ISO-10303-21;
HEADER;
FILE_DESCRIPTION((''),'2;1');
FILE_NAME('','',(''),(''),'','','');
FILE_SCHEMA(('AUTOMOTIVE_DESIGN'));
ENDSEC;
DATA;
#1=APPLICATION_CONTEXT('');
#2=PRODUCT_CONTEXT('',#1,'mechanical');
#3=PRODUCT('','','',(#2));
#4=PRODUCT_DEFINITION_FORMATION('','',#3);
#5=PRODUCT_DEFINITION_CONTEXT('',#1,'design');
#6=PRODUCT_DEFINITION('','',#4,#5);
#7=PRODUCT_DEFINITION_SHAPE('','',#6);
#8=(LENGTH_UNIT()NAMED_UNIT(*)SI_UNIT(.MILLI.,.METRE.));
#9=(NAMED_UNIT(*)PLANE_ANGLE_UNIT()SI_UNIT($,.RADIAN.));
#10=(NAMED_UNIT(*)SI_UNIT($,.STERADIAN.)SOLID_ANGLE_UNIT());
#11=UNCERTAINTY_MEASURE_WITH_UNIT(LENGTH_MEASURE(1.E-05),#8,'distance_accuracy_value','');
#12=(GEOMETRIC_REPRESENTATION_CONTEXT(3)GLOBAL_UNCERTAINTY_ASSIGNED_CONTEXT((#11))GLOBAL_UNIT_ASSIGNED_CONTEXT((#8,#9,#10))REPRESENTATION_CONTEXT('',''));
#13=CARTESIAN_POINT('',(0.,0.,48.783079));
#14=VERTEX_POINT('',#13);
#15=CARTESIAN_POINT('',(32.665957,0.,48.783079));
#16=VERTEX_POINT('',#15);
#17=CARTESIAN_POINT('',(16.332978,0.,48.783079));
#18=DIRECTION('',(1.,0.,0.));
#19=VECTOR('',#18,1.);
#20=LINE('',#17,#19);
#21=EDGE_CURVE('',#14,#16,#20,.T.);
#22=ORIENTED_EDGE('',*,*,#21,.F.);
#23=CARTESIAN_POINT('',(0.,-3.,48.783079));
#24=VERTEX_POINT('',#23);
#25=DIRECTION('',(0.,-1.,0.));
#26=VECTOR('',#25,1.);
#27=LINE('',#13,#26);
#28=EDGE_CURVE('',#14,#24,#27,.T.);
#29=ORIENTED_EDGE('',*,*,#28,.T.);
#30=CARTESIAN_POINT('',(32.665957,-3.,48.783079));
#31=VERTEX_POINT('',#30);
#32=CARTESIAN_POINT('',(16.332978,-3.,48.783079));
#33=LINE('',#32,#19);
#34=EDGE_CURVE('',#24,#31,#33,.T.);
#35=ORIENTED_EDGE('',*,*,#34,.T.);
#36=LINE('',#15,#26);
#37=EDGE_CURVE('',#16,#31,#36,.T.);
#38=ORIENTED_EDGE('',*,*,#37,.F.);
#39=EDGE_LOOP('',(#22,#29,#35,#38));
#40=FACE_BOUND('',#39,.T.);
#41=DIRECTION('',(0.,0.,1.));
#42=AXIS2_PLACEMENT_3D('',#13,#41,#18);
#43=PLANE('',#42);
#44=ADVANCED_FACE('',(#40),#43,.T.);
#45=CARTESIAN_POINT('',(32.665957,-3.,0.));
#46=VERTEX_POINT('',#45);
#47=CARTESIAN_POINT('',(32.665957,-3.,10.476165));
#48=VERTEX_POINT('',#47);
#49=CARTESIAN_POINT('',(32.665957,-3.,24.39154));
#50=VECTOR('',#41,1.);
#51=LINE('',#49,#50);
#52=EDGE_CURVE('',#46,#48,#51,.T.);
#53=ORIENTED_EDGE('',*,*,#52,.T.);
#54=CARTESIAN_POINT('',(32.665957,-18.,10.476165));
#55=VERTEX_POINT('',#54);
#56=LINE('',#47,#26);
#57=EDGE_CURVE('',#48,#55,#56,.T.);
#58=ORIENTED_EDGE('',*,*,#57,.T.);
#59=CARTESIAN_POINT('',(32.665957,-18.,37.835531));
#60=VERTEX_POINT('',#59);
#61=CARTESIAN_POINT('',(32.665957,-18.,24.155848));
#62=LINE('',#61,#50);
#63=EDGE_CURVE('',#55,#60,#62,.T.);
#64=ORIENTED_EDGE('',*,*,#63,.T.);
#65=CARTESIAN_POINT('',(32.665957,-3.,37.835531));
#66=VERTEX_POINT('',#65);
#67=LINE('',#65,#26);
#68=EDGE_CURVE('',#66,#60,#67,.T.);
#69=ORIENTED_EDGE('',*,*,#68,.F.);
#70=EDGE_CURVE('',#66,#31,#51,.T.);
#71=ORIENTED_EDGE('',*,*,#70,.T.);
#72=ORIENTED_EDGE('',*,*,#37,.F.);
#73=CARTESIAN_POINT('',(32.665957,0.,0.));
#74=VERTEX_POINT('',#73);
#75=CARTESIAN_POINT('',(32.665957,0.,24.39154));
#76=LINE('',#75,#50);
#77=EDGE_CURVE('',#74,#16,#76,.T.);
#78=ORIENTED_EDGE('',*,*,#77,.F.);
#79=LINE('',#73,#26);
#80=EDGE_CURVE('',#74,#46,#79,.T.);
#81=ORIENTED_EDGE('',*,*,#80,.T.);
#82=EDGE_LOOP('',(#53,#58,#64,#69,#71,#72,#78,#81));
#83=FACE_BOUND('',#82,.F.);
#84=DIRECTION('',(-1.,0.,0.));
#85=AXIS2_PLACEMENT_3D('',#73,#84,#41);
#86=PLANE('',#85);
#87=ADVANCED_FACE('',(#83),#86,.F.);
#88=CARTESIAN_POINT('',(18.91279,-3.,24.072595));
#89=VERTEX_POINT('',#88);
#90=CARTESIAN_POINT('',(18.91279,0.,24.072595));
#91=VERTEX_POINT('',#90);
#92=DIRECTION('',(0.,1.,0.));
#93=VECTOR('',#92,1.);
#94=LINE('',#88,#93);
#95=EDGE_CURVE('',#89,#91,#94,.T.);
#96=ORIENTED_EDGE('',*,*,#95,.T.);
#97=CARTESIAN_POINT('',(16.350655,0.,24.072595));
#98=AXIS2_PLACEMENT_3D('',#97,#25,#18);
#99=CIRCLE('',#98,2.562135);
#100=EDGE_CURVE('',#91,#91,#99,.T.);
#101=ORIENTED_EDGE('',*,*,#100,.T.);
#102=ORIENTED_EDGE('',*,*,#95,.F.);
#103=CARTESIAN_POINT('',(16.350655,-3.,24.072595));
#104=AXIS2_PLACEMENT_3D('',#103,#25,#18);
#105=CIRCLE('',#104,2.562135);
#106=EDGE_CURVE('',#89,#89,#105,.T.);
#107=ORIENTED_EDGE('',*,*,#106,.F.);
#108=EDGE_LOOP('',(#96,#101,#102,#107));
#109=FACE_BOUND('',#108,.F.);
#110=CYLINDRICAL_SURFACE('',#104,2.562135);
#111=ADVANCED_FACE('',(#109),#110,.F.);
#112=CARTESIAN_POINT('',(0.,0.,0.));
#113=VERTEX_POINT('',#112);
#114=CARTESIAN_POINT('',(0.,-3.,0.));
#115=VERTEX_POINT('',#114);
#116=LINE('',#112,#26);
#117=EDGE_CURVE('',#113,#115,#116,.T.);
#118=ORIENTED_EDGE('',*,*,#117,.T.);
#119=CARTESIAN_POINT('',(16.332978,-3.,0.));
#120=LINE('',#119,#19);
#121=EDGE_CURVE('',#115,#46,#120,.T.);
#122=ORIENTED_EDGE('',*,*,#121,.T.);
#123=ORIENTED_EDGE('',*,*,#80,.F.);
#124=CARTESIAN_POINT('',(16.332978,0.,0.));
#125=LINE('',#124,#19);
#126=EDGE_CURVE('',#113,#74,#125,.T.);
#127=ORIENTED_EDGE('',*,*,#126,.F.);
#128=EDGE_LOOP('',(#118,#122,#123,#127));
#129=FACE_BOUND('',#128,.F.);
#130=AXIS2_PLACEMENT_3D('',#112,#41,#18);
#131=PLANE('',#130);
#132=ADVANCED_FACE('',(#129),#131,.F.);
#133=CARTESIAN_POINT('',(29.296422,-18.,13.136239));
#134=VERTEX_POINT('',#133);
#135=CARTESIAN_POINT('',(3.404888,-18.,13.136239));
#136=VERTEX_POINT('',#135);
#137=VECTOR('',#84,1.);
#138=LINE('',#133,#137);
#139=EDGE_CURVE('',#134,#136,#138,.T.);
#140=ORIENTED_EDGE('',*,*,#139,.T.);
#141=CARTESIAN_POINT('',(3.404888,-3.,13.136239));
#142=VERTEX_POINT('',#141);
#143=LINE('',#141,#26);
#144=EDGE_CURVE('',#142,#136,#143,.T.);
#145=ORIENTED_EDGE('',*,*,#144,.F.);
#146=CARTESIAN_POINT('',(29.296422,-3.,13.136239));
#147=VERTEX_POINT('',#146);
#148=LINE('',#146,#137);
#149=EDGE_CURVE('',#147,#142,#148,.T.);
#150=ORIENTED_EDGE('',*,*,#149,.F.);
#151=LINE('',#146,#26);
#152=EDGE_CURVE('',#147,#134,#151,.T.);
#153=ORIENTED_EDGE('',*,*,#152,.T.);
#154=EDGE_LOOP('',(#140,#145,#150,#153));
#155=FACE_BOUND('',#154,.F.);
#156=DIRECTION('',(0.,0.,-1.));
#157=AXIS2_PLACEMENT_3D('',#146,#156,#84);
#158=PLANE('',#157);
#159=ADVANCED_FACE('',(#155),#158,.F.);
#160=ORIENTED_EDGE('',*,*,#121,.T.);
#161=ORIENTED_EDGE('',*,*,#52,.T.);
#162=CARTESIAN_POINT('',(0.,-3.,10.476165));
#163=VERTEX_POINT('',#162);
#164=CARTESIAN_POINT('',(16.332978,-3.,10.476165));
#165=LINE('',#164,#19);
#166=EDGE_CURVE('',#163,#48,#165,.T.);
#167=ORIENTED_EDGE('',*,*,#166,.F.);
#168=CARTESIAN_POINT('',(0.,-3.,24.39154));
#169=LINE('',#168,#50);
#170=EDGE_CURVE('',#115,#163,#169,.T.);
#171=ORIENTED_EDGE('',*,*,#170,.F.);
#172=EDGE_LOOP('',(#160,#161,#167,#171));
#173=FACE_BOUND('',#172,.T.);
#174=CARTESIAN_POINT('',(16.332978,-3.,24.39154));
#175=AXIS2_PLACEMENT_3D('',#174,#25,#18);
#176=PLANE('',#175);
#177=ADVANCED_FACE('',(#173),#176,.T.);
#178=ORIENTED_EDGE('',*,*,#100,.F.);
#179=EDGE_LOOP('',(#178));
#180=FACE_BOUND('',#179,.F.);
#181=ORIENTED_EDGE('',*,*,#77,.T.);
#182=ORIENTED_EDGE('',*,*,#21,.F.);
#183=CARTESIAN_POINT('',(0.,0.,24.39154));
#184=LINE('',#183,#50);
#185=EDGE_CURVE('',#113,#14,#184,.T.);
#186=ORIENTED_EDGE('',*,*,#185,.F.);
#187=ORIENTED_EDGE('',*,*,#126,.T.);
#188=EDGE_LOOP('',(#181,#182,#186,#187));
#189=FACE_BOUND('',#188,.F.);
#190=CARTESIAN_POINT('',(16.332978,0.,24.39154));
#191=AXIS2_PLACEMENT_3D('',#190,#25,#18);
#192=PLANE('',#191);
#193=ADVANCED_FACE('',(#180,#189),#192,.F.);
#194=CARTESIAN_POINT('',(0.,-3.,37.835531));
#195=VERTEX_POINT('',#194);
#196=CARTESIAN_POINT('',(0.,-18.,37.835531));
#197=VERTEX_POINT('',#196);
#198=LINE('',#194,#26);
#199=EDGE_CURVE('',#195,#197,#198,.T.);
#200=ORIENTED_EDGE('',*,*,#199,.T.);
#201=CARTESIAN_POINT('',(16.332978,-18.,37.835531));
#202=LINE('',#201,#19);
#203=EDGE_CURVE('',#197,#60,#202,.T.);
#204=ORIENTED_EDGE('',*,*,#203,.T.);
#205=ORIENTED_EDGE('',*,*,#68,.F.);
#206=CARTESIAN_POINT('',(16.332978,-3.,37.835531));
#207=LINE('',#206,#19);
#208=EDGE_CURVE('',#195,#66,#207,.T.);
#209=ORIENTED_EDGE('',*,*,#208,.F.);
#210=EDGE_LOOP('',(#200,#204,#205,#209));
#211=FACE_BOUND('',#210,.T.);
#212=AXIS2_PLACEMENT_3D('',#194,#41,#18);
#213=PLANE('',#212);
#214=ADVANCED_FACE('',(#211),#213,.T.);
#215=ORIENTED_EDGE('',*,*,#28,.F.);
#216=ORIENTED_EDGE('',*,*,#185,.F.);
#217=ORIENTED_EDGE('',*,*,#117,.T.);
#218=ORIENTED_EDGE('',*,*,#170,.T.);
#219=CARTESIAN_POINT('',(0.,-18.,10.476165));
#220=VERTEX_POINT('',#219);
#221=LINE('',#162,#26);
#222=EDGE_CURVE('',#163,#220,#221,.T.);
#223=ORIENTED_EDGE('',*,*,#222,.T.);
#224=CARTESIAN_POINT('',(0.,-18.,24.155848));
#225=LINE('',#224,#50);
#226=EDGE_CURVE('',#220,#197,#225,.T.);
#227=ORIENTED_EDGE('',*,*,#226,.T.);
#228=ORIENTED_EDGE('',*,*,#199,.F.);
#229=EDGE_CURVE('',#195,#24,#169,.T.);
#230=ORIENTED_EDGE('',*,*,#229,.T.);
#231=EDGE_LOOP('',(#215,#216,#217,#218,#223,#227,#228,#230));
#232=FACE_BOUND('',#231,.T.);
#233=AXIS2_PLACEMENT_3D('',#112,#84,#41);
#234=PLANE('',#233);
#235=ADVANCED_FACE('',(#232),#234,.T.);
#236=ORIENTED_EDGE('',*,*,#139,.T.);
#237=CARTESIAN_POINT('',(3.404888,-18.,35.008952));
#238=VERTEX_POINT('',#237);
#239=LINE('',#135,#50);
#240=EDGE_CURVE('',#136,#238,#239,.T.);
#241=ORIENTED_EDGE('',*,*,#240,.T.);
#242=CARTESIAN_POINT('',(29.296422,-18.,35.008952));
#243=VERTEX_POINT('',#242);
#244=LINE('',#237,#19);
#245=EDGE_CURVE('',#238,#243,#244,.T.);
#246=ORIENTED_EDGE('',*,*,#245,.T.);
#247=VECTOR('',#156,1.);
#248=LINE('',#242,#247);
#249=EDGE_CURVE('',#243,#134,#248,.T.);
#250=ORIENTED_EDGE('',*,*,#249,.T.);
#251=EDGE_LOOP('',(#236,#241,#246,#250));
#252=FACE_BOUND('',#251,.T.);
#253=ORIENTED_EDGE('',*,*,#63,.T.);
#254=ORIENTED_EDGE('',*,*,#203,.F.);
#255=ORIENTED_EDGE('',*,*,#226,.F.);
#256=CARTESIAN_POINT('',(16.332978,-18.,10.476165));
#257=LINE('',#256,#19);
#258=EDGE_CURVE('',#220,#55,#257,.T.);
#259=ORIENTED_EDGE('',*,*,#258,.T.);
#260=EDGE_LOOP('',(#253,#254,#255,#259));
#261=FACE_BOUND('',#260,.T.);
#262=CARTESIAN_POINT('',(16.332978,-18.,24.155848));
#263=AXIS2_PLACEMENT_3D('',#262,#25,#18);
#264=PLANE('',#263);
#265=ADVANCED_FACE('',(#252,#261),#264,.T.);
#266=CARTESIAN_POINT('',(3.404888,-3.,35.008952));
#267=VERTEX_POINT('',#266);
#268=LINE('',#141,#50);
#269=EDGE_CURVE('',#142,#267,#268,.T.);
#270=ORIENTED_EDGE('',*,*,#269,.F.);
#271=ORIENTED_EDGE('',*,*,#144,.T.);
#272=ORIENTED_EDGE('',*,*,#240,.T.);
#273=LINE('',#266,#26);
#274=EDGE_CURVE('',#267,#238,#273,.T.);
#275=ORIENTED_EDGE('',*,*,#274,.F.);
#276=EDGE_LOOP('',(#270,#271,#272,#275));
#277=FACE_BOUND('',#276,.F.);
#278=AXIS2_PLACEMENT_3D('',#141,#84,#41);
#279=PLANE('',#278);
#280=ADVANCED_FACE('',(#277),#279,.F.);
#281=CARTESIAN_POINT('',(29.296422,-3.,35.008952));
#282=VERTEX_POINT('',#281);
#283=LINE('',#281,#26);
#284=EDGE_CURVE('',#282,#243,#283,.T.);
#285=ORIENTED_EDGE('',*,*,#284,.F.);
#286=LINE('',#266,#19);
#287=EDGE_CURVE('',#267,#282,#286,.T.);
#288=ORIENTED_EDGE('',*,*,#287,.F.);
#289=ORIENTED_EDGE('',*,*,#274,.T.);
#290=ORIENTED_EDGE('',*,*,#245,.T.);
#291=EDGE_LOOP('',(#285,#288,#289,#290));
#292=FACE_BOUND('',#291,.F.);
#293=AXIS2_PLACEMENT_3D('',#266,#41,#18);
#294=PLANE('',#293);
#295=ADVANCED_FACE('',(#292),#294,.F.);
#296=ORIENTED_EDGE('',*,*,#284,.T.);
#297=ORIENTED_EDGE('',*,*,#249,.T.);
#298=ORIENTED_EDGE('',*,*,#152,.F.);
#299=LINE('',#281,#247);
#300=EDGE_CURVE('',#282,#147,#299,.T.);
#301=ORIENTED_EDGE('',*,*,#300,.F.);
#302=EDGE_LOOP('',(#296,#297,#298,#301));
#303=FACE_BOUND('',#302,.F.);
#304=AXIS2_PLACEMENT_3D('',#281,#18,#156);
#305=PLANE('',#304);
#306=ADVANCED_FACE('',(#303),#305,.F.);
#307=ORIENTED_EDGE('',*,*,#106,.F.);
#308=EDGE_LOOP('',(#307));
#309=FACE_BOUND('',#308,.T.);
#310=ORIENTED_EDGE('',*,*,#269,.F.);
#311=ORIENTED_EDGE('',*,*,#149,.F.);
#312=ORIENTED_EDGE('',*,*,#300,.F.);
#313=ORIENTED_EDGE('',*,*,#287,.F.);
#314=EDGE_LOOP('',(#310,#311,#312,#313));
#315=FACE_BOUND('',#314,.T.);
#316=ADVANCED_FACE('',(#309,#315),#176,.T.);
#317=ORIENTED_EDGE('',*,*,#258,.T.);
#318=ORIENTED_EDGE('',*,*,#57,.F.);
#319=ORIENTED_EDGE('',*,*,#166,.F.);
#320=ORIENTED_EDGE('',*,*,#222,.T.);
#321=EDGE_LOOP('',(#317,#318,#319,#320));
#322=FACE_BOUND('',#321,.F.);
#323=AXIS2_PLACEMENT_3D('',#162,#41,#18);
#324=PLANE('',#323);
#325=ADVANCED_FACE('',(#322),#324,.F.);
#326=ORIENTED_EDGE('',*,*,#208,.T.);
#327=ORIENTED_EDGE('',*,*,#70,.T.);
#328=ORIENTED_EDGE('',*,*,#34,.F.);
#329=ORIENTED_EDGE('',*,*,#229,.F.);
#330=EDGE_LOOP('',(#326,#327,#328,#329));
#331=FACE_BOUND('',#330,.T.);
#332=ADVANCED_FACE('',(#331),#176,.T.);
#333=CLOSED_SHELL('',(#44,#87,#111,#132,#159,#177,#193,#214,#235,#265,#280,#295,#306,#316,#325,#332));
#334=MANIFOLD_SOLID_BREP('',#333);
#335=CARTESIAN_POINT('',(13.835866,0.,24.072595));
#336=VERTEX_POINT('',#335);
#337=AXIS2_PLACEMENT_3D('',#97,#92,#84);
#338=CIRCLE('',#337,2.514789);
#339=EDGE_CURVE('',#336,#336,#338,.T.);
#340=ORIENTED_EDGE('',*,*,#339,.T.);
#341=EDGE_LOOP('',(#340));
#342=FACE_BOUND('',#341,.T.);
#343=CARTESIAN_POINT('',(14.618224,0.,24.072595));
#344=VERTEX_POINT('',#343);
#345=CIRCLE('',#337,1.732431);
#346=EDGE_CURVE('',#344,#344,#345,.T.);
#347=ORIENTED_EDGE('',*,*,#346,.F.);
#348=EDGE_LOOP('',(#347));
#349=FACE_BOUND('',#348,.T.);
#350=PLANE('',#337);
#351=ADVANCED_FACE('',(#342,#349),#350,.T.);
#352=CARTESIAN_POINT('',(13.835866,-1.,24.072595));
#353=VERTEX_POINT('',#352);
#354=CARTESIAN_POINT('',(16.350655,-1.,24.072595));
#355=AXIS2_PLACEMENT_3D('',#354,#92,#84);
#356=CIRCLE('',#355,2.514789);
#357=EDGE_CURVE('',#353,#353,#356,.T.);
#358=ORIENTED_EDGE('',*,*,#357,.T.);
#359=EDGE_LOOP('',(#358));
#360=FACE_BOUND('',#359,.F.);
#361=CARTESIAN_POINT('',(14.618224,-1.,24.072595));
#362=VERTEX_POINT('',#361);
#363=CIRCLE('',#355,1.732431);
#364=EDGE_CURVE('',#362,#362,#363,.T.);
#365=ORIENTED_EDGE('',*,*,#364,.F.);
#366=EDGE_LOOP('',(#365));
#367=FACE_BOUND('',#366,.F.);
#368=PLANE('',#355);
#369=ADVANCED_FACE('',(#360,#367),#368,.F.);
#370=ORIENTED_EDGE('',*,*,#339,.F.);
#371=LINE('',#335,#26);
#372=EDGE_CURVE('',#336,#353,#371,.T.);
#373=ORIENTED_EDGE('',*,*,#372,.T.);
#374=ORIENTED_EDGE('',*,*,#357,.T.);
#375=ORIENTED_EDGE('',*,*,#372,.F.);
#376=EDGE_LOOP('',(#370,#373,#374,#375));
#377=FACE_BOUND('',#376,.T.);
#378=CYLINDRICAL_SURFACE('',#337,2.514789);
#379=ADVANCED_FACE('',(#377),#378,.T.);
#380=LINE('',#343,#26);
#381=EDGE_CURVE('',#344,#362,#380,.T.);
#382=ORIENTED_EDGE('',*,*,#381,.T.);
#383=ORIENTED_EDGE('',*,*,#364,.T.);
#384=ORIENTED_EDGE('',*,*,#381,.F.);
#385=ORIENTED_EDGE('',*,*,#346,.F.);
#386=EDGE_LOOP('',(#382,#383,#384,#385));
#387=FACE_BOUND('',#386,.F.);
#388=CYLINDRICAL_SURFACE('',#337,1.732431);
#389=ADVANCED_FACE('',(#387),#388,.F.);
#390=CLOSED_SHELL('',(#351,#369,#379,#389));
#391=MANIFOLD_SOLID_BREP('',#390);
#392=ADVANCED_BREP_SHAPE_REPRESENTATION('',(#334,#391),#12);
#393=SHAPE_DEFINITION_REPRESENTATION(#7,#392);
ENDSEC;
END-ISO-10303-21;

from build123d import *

# Parameters (mm, degrees)
F0_W     = 32.665957
F0_H     = 48.783079
F1_DEPTH = 3
F2_W     = 32.665957
F2_H     = 27.359366
F3_DEPTH = 15
F4_R     = 2.562135
F5_DEPTH = 25
F6_R     = 2.514789
F6_R_2   = 1.732431
F7_DEPTH = 1


with BuildPart() as f1:
    # F0 (on Front) → F1 (new body)
    with BuildSketch(Plane.XZ):
        with Locations((16.332978, 24.39154)):
            Rectangle(F0_W, F0_H)
    extrude(amount=F1_DEPTH)

    # F2 (on face) → F3 (join)
    with BuildSketch(Plane.XZ.offset(3)):
        with Locations((16.332978, 24.155848)):
            Rectangle(F2_W, F2_H)
        Polygon((3.404888, 35.008952), (16.332978, 35.008952), (29.296422, 35.008952), (29.296422, 13.136239), (3.404888, 13.136239), align=None, mode=Mode.SUBTRACT)
    extrude(amount=F3_DEPTH)

    # F4 (on face) → F5 (cut)
    with BuildSketch(Plane.XZ.offset(3)):
        with Locations((16.350655, 24.072595)):
            Circle(F4_R)
    extrude(amount=-F5_DEPTH, mode=Mode.SUBTRACT)


with BuildPart() as f7:
    # F6 (on face) → F7 (new body)
    with BuildSketch(Plane(origin=(0, 0, 0), x_dir=(-1, 0, 0), z_dir=(0, 1, 0))):
        with Locations((-16.350655, 24.072595)):
            Circle(F6_R)
        with Locations((-16.350655, 24.072595)):
            Circle(F6_R_2, mode=Mode.SUBTRACT)
    extrude(amount=-F7_DEPTH)


solid = Compound([f1.part, f7.part])
